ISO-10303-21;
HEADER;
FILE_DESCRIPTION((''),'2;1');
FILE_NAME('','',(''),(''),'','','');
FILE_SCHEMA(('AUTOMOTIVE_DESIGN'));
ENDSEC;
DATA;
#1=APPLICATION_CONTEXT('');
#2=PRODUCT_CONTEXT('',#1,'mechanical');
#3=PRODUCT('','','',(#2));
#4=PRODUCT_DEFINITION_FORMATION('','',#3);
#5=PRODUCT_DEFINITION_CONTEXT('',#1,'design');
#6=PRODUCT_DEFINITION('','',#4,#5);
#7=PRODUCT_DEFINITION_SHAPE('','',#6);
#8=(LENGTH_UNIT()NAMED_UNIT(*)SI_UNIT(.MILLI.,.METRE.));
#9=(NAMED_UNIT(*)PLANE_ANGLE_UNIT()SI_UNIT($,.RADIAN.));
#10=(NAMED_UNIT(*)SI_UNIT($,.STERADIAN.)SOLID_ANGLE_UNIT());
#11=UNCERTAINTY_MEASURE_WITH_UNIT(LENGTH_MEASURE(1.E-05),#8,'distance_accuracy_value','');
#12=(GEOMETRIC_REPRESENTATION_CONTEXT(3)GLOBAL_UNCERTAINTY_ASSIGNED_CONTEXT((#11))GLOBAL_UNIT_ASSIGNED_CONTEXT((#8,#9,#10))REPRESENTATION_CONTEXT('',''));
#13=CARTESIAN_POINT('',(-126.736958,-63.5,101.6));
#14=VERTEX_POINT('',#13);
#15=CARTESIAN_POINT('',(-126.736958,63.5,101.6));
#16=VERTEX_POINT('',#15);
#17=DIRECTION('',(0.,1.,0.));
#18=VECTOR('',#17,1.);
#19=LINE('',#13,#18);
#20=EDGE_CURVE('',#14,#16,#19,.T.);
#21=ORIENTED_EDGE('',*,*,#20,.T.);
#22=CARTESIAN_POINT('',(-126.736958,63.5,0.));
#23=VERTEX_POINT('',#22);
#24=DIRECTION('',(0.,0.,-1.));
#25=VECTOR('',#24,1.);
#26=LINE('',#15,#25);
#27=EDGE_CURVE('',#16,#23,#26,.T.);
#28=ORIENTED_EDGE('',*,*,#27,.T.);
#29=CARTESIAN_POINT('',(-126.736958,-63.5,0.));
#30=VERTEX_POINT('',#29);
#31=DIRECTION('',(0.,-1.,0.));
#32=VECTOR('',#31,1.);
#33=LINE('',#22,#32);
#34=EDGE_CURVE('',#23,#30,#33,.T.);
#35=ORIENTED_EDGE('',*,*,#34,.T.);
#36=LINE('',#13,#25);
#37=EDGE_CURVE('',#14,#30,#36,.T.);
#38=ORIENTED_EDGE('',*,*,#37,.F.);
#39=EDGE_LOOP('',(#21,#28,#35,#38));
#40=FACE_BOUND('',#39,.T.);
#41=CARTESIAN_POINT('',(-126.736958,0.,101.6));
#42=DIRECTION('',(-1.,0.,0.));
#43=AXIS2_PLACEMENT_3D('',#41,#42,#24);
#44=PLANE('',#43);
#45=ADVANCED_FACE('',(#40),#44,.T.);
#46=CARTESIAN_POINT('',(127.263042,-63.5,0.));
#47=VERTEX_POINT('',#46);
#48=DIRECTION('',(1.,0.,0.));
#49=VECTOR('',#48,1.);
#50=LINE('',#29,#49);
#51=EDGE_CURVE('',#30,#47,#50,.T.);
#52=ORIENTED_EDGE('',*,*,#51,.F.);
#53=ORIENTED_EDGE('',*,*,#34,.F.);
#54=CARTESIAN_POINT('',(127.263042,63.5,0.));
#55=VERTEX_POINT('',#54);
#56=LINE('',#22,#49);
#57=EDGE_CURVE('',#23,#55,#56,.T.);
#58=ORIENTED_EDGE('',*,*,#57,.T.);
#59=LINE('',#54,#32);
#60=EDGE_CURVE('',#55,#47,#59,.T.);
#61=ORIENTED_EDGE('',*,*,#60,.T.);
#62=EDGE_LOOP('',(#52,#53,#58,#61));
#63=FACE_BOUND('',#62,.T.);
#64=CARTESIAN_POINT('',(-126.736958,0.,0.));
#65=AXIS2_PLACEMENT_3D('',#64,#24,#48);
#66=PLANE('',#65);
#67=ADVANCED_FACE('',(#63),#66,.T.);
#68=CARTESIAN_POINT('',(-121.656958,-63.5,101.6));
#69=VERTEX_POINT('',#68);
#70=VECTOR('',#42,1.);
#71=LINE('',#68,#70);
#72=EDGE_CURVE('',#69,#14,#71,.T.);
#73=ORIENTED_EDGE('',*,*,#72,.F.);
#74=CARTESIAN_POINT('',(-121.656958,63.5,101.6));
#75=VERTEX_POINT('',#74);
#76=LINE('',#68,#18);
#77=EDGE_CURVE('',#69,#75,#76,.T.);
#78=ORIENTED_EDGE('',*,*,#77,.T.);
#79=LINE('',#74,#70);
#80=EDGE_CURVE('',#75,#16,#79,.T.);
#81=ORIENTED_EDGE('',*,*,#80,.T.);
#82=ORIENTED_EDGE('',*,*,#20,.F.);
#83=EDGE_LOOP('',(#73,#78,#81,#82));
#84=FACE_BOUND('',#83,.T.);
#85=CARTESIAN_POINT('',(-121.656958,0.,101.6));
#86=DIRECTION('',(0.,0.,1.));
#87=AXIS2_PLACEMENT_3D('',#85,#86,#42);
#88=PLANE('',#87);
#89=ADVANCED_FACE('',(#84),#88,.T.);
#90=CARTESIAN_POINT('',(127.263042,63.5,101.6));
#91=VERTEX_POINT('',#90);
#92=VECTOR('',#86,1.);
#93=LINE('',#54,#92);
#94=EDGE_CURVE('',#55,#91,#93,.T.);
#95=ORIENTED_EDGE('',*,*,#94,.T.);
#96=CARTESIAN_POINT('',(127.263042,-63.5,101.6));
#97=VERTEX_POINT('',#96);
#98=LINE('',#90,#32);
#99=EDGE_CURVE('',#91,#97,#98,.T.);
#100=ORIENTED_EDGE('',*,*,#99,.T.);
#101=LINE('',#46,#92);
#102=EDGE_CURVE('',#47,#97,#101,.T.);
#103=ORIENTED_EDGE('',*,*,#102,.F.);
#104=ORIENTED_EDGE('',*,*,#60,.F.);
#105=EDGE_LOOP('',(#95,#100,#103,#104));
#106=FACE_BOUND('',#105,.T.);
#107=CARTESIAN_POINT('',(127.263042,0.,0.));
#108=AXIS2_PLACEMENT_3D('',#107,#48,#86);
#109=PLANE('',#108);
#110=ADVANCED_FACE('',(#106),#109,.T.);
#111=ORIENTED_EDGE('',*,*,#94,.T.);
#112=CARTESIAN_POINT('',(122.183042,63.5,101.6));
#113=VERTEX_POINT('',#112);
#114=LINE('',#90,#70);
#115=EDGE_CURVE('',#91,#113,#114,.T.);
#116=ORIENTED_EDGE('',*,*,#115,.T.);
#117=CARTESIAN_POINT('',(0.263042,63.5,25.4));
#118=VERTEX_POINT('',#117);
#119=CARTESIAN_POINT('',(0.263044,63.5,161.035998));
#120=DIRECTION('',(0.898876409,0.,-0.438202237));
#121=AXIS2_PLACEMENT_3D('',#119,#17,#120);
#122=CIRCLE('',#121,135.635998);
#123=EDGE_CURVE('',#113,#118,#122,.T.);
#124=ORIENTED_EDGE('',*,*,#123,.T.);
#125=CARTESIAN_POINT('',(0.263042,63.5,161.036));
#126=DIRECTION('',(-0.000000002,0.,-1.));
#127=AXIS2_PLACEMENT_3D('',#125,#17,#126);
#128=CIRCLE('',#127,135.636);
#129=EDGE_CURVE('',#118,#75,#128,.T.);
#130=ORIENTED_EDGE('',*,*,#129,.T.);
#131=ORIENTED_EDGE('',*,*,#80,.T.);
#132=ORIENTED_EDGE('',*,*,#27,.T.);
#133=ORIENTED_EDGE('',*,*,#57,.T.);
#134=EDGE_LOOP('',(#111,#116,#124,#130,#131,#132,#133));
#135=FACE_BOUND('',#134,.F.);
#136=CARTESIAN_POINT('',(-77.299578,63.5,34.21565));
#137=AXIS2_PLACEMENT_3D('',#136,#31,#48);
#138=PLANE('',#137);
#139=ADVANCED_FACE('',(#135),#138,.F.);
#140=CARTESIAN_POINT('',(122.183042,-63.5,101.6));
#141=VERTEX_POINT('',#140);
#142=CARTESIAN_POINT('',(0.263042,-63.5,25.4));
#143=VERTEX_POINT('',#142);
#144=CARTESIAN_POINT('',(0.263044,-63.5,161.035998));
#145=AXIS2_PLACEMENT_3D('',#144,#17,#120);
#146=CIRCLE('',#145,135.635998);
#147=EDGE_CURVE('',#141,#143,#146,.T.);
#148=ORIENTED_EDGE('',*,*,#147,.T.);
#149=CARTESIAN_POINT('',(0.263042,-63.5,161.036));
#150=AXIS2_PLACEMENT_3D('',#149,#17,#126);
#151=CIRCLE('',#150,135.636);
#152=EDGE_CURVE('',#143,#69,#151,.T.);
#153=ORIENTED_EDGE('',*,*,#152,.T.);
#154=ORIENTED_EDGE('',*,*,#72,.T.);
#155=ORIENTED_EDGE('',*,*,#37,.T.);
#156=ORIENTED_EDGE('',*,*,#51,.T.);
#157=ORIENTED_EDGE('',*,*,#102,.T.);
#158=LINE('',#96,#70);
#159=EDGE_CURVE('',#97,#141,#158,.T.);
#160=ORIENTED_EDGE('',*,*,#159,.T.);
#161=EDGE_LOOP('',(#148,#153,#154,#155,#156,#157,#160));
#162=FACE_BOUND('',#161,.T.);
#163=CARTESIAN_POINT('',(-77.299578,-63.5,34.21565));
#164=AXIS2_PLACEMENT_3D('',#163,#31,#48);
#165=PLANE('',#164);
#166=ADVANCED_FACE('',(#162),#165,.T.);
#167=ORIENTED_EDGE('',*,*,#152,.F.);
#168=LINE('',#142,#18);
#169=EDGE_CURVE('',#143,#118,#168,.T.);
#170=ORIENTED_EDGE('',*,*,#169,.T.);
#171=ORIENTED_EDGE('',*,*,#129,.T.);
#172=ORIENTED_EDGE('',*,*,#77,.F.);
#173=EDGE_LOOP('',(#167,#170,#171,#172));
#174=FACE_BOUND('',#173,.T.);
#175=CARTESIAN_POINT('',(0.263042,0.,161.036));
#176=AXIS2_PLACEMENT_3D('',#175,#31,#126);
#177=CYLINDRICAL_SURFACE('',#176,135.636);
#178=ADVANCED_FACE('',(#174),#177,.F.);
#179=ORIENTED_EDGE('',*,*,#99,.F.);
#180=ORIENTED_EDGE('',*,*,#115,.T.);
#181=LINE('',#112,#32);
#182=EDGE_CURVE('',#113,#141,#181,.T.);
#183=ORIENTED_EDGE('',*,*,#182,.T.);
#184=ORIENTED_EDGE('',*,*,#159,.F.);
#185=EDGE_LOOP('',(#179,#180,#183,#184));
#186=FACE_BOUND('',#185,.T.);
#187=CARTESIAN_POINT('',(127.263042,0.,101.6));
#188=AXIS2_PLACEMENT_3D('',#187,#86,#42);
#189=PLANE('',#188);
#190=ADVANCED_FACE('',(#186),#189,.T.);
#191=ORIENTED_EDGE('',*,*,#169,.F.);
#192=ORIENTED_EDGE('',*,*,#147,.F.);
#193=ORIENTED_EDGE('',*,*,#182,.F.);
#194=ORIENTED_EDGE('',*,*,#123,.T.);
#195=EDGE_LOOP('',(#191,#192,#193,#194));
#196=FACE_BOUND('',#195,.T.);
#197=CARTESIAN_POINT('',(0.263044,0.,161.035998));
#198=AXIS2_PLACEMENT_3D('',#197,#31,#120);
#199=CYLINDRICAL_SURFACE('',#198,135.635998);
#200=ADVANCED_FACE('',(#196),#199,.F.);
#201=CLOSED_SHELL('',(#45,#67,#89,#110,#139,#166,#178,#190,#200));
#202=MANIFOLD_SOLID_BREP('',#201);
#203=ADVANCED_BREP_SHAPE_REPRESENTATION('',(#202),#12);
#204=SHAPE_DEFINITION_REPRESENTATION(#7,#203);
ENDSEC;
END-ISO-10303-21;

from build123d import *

# Parameters (mm, degrees)
F1_DEPTH = 63.5


with BuildPart() as f1:
    # F0 (on Front) → F1 (new body, symmetric)
    with BuildSketch(Plane.XZ):
        with BuildLine():
            Line((-126.736958, 101.6), (-126.736958, 0))
            Line((-126.736958, 0), (0, 0))
            Line((0, 0), (0.263042, 25.4))
            ThreePointArc((0.263042, 25.4), (-71.623894, 46.016902), (-121.656958, 101.6))
            Line((-121.656958, 101.6), (-126.736958, 101.6))
        make_face()
        with BuildLine():
            Line((0.263042, 25.4), (0, 0))
            Line((0, 0), (127.263042, 0))
            Line((127.263042, 0), (127.263042, 101.6))
            Line((127.263042, 101.6), (122.183042, 101.6))
            ThreePointArc((122.183042, 101.6), (72.149979, 46.016902), (0.263042, 25.4))
        make_face()
    extrude(amount=F1_DEPTH, both=True)


solid = f1.part
